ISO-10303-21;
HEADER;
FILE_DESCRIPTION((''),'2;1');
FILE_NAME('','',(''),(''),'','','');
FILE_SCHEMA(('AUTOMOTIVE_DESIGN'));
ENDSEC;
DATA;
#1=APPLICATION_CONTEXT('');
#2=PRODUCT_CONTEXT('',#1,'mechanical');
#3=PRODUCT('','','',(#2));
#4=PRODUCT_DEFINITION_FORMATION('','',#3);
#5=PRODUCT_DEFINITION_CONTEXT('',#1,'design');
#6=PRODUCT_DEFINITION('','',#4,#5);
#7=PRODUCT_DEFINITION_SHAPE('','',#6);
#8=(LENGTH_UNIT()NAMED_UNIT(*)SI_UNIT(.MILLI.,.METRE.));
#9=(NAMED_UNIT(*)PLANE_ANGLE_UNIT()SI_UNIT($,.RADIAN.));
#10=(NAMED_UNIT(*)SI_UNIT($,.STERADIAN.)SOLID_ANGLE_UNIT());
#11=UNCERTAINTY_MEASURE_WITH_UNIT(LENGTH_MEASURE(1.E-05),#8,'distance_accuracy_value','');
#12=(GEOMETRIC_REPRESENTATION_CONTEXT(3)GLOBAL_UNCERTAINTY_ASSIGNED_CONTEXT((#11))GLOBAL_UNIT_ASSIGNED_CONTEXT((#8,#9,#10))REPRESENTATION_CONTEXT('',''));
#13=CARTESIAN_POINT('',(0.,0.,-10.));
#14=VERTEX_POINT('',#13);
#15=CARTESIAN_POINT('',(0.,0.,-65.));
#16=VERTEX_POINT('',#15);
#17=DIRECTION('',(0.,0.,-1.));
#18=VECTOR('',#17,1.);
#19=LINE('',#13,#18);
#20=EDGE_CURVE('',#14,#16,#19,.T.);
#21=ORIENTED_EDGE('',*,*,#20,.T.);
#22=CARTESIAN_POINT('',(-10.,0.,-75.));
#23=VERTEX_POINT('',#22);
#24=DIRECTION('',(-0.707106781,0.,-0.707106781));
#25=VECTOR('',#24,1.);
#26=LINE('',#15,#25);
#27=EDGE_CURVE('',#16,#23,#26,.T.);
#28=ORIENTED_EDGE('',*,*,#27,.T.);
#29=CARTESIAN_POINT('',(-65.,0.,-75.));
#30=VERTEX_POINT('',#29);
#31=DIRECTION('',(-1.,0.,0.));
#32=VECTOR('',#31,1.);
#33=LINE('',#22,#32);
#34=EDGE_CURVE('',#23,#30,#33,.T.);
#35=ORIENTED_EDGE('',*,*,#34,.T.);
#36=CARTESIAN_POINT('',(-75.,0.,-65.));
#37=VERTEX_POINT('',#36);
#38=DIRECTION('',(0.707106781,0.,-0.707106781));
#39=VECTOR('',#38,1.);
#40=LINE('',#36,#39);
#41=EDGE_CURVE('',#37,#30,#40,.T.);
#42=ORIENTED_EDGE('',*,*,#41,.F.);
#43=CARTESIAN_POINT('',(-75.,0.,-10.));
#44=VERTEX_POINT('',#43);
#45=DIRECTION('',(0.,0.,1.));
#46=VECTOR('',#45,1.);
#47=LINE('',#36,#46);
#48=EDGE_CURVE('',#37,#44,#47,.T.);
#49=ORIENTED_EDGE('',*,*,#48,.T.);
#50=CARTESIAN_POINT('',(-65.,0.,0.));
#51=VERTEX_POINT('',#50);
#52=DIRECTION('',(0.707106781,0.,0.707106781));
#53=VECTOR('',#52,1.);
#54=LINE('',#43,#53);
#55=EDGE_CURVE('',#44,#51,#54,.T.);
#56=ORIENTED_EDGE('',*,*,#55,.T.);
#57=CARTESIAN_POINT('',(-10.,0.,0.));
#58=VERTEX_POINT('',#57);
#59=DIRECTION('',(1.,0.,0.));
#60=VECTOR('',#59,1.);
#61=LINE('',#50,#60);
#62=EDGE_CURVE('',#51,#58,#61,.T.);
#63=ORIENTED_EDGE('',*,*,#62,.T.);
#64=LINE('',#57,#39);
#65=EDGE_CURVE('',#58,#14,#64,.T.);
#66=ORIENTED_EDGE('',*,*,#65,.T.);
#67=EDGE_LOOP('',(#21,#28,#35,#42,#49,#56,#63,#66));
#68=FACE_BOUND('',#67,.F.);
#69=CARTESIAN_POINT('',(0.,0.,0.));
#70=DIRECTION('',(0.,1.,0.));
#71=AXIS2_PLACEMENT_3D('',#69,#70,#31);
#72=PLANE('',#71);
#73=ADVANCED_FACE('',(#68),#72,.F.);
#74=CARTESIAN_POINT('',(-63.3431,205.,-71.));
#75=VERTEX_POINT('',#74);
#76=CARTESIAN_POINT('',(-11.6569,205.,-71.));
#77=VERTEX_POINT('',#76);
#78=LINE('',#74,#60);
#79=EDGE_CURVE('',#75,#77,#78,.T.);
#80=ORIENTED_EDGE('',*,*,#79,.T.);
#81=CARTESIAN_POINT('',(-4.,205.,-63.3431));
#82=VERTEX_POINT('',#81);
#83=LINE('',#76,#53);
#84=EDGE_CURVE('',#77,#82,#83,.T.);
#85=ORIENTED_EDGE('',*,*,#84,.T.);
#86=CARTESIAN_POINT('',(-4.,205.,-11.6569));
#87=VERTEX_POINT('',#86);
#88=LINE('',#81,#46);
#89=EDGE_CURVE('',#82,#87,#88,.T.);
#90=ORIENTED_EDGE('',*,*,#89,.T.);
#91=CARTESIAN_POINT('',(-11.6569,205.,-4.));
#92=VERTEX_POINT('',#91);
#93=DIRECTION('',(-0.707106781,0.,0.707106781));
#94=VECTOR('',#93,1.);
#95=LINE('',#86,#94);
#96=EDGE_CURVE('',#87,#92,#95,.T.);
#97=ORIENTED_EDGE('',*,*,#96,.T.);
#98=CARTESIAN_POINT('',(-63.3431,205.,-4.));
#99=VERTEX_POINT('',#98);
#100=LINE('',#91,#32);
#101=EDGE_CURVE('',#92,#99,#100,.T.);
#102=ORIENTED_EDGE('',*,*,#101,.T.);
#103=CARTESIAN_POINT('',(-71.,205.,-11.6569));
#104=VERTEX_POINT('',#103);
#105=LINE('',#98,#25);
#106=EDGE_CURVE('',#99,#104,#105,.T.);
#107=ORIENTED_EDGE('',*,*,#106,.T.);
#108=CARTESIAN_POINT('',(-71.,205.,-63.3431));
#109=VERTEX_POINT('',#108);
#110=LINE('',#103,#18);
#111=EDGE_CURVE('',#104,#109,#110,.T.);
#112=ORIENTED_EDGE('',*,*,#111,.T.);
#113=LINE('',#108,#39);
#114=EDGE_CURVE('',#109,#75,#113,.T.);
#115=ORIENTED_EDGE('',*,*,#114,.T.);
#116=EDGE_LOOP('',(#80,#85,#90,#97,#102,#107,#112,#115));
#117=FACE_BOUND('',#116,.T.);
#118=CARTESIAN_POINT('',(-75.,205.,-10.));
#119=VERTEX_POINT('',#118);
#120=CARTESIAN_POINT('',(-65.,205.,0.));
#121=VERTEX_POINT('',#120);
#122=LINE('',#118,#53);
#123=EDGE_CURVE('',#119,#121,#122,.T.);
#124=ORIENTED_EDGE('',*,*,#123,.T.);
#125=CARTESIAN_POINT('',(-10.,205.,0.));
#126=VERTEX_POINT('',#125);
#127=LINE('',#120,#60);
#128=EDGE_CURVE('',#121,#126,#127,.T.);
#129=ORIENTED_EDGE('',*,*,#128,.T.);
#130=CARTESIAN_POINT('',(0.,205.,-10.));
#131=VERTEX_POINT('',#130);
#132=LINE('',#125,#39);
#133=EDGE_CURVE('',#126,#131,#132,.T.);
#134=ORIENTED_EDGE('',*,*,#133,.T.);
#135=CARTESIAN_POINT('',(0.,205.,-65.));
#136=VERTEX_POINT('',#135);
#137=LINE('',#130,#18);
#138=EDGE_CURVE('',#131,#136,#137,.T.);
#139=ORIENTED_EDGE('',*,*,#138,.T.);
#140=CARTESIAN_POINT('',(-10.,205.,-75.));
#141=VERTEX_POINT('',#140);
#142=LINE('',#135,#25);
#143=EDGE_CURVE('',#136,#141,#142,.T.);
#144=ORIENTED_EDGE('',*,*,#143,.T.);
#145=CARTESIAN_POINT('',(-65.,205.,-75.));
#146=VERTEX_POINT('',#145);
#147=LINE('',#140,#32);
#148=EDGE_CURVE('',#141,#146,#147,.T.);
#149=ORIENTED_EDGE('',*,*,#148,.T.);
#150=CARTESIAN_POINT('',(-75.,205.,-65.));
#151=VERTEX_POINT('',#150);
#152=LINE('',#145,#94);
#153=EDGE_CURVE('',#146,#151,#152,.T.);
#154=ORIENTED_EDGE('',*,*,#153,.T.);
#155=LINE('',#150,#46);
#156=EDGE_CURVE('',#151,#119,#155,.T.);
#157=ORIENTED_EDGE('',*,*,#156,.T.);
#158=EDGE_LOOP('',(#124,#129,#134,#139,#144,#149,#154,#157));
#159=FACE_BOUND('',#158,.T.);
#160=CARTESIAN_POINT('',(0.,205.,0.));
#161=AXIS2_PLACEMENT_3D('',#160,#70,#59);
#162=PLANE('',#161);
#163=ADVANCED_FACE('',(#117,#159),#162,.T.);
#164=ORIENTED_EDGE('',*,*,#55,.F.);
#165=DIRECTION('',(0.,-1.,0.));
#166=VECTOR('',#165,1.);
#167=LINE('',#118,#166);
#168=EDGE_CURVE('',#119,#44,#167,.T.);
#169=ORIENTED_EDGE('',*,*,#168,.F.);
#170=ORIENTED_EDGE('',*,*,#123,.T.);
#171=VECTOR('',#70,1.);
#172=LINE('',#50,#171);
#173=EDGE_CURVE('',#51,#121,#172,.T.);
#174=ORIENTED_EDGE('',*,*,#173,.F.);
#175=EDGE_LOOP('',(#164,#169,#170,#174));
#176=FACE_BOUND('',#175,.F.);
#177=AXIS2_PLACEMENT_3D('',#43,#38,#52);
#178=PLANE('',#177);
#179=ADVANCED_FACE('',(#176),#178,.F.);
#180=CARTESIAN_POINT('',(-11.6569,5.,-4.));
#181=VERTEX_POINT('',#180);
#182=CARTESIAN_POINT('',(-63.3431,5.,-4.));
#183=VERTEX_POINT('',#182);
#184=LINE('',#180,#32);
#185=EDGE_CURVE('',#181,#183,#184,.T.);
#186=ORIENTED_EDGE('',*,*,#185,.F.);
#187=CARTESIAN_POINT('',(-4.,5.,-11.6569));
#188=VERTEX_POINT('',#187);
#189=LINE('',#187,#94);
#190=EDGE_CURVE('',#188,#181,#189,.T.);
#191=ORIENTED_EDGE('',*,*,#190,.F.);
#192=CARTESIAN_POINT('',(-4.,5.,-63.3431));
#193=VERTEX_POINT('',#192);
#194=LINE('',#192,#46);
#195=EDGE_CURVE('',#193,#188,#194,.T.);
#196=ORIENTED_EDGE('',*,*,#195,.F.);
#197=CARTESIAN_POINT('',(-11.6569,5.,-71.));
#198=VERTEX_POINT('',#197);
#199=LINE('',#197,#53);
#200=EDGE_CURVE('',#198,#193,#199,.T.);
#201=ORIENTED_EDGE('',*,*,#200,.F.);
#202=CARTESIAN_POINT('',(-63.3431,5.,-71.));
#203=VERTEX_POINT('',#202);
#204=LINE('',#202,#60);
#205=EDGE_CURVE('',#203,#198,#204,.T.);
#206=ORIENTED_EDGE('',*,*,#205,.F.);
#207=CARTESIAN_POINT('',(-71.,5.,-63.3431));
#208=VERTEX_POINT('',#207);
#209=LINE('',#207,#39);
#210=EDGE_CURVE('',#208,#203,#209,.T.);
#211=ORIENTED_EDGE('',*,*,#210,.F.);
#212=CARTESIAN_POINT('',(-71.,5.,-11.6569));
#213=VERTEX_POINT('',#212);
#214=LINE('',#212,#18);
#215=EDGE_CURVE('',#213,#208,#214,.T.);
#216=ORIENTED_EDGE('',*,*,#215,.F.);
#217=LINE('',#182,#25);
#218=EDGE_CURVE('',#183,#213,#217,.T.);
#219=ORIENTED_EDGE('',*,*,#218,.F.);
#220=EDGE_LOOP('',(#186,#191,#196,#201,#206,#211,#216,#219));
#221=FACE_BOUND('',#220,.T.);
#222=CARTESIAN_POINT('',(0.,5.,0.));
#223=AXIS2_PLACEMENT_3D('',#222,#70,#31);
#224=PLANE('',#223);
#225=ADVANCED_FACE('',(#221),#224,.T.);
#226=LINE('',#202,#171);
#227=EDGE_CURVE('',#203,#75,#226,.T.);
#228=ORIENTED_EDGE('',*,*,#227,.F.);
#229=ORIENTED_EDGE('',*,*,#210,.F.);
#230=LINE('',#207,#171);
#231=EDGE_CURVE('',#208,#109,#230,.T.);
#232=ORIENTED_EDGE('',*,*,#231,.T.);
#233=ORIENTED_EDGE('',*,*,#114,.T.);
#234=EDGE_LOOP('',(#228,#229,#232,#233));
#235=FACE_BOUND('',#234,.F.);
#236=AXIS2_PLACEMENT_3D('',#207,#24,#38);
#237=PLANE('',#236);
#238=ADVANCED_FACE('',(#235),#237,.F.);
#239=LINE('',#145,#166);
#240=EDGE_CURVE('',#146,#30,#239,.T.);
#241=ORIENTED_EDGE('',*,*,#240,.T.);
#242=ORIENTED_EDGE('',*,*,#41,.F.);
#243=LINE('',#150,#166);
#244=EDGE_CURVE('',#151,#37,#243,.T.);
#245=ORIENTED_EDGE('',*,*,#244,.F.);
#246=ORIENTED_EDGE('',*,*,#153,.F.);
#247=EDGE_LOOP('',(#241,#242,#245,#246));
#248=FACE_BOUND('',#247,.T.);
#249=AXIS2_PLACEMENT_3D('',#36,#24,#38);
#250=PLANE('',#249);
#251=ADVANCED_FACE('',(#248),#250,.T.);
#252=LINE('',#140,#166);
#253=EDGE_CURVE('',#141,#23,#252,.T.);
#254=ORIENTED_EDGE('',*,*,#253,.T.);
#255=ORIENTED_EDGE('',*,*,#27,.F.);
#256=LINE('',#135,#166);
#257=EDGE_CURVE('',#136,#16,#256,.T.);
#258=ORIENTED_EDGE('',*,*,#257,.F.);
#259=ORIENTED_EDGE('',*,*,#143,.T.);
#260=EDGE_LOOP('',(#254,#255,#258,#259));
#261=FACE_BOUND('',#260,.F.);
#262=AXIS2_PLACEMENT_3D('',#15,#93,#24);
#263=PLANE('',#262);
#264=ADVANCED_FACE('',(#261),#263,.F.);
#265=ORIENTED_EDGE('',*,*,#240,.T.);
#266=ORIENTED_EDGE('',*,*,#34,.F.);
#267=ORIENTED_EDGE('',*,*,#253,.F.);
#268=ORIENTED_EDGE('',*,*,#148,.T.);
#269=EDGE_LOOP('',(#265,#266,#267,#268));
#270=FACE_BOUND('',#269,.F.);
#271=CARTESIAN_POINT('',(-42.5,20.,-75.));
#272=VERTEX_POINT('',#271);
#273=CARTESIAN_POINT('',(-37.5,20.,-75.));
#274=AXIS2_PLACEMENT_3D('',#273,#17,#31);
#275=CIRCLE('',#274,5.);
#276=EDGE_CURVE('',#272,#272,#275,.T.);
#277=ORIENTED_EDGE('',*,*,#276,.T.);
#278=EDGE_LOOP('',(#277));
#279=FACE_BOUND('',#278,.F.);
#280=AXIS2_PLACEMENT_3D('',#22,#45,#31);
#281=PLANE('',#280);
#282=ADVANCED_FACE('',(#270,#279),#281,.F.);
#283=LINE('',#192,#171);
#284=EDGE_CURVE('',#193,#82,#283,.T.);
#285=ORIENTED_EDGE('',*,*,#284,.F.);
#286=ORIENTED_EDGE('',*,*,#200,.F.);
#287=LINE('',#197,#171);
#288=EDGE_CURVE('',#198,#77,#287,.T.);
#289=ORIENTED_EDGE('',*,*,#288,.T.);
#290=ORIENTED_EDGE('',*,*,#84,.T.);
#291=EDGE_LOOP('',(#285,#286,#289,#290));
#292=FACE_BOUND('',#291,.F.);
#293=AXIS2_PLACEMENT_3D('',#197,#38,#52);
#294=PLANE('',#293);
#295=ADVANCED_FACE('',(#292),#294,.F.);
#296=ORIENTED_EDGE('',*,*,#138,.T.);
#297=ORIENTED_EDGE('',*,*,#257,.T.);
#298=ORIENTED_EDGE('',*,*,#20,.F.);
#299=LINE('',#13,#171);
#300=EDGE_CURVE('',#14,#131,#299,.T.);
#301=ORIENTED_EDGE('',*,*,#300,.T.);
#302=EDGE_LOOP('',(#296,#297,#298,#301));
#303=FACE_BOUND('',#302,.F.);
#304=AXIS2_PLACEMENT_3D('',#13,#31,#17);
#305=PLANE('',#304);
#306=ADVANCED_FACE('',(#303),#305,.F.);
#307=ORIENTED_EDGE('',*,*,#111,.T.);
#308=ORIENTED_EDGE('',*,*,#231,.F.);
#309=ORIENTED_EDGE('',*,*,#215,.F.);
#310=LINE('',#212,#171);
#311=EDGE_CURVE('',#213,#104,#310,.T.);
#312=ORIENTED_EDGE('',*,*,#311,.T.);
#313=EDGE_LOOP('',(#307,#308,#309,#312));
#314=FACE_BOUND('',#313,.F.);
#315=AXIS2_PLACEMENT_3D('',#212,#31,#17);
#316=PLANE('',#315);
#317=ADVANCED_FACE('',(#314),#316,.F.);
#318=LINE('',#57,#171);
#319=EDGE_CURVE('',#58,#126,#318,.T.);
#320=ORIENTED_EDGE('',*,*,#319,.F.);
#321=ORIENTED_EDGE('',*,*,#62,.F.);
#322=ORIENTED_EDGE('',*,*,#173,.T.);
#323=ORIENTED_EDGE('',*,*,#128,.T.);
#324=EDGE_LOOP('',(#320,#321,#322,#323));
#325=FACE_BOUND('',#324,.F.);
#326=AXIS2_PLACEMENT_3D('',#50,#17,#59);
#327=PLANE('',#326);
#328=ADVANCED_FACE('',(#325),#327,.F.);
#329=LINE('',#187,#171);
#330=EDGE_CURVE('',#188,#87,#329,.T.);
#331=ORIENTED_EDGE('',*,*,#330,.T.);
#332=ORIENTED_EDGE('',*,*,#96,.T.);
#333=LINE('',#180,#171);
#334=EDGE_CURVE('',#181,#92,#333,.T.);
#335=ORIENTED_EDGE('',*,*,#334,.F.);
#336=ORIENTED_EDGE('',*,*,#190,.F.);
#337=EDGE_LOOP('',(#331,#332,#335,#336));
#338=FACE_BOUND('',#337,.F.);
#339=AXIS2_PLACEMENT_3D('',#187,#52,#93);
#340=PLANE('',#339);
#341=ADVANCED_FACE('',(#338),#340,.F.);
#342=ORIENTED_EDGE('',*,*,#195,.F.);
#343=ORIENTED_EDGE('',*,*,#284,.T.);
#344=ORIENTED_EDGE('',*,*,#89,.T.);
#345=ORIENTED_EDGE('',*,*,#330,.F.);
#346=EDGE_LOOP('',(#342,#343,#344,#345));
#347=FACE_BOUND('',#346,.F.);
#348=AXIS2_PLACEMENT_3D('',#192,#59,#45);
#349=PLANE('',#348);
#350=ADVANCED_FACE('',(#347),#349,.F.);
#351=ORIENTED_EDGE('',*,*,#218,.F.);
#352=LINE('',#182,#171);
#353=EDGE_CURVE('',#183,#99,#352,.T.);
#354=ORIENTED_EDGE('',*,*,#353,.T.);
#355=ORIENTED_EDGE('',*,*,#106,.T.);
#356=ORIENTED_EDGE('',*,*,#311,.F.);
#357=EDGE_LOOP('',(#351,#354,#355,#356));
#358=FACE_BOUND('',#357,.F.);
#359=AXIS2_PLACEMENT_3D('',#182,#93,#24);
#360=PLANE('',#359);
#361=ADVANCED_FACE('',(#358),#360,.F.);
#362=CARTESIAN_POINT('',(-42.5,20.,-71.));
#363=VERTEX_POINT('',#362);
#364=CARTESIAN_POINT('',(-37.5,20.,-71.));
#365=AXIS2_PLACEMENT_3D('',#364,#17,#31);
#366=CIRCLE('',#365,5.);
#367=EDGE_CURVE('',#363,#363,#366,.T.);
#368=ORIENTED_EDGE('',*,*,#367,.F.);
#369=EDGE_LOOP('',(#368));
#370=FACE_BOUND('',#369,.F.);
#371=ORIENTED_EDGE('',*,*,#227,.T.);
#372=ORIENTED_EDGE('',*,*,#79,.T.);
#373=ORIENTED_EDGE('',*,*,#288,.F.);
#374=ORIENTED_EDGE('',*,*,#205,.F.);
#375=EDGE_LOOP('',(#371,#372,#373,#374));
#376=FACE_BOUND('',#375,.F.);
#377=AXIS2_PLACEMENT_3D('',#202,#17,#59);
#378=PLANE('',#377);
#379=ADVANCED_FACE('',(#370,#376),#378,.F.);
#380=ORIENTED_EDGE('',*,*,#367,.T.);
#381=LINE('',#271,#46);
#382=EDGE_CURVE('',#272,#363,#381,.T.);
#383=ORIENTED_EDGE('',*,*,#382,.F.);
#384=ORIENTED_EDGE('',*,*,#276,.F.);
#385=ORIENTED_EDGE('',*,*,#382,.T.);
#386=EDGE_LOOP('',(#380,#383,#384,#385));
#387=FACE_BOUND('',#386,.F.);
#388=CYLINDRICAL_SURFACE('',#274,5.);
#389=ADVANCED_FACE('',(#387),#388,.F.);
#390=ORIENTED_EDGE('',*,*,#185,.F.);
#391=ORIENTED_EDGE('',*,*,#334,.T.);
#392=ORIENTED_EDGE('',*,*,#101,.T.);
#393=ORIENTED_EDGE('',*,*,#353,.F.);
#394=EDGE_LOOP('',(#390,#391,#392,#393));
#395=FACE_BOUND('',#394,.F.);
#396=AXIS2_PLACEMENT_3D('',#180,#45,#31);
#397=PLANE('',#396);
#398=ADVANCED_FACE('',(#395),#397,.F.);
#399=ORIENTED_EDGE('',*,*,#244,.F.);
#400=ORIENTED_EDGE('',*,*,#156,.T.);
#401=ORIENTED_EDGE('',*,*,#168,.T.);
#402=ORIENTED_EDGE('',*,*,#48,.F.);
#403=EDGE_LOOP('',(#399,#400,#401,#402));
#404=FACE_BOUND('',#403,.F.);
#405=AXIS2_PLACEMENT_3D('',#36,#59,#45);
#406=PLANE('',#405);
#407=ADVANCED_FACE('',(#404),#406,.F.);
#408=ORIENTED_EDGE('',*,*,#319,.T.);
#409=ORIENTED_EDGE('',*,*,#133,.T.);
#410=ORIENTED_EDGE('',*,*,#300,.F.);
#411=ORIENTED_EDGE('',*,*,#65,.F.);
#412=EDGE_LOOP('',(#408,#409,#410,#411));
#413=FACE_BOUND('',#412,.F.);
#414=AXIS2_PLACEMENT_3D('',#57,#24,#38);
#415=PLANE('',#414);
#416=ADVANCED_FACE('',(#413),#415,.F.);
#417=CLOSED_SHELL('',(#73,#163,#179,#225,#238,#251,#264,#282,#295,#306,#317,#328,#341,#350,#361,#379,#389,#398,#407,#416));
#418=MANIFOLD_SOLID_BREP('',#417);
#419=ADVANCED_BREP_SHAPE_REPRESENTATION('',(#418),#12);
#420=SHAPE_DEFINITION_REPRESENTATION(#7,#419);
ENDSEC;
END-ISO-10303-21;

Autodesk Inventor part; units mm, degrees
ref_plane "YZ Plane" through (0, 0, 0) normal (1, 0, 0) x (0, 1, 0)
ref_plane "XZ Plane" through (0, 0, 0) normal (0, 1, 0) x (-1, 0, 0)
ref_plane "XY Plane" through (0, 0, 0) normal (0, 0, 1) x (1, 0, 0)
sketch "Sketch1" plane through (0, 0, 0) normal (0, 1, 0) x (-1, 0, 0)
  line L0 (65, 0) -> (10, 0)
  line L1 (0, -10) -> (0, -65)
  line L2 (10, -75) -> (65, -75)
  line L3 (75, -65) -> (75, -10)
  line L4 (75, -10) -> (65, 0)
  line L5 (10, 0) -> (0, -10)
  line L6 (0, -65) -> (10, -75)
  line L7 (75, -65) -> (65, -75)
  point P0 (0, 0)
  point P1 (75, 0)
  point P2 (0, -75)
  point P3 (0, 0)
  point P4 (75, -75)
  dimension "d0" = 75
  dimension "d1" = 75
  dimension "d2" = 10
  dimension "d3" = 10
  dimension "d4" = 10
  dimension "d5" = 10
  dimension "d6" = 10
  dimension "d7" = 10
  dimension "d8" = 10
  dimension "d9" = 10
extrude "Extrusion1" add sketch "Sketch1" along normal blind 5
sketch "Sketch2" plane through (0, 5, 0) normal (0, 1, 0) x (1, 0, 0)
  line L0 (-75, 10) -> (-65, 0) projected
  line L1 (-75, 65) -> (-75, 10) projected
  line L2 (-75, 10) -> (-75, 65)
  line L3 (-65, 75) -> (-75, 65) projected
  line L4 (-75, 65) -> (-65, 75)
  line L5 (-75, 10) -> (-65, 0)
  line L6 (-65, 0) -> (-10, 0) projected
  line L7 (-10, 0) -> (0, 10) projected
  line L8 (-10, 0) -> (0, 10)
  line L9 (0, 10) -> (0, 65) projected
  line L10 (0, 10) -> (0, 65)
  line L11 (0, 65) -> (-10, 75)
  line L12 (-10, 75) -> (-65, 75) projected
  line L13 (-10, 75) -> (-65, 75)
  line L14 (-65, 0) -> (-10, 0)
  line L15 (-11.6569, 71) -> (-4, 63.3431)
  line L16 (-4, 63.3431) -> (-4, 11.6569)
  line L17 (-4, 11.6569) -> (-11.6569, 4)
  line L18 (-11.6569, 4) -> (-63.3431, 4)
  line L19 (-63.3431, 4) -> (-71, 11.6569)
  line L20 (-71, 11.6569) -> (-71, 63.3431)
  line L21 (-71, 63.3431) -> (-63.3431, 71)
  line L22 (-63.3431, 71) -> (-11.6569, 71)
  point P0 (0, 0)
  dimension "d12" = 4
extrude "Extrusion2" add sketch "Sketch2" along normal blind 200
sketch "Sketch3" plane through (-10, 0, -75) normal (0, 0, -1) x (-1, 0, 0)
  circle A0 centre (27.5, 20) radius 5
  line L0 (0, 0) -> (0, 205) construction
  line L1 (55, 0) -> (0, 0) construction
  line L2 (0, 0) -> (55, 0) construction
  point P0 (-10, 0)
  point P1 (27.5, 0)
  dimension "d15" = 10
  dimension "d16" = 20
  dimension "d17" = 55
  dimension "d18" = 27.5
extrude "Extrusion3" cut sketch "Sketch3" against normal blind 4
sketch "Sketch4" plane through (0, 205, 0) normal (0, 1, 0) x (1, 0, 0)
  point P0 (0, 0)
equation "\"d3\" = d2"
equation "\"d4\" = d2"
equation "\"d5\" = d4"
equation "\"d6\" = d2"
equation "\"d7\" = d6"
equation "\"d8\" = d2"
equation "\"d9\" = d8"
properties part number "laser_leg"
